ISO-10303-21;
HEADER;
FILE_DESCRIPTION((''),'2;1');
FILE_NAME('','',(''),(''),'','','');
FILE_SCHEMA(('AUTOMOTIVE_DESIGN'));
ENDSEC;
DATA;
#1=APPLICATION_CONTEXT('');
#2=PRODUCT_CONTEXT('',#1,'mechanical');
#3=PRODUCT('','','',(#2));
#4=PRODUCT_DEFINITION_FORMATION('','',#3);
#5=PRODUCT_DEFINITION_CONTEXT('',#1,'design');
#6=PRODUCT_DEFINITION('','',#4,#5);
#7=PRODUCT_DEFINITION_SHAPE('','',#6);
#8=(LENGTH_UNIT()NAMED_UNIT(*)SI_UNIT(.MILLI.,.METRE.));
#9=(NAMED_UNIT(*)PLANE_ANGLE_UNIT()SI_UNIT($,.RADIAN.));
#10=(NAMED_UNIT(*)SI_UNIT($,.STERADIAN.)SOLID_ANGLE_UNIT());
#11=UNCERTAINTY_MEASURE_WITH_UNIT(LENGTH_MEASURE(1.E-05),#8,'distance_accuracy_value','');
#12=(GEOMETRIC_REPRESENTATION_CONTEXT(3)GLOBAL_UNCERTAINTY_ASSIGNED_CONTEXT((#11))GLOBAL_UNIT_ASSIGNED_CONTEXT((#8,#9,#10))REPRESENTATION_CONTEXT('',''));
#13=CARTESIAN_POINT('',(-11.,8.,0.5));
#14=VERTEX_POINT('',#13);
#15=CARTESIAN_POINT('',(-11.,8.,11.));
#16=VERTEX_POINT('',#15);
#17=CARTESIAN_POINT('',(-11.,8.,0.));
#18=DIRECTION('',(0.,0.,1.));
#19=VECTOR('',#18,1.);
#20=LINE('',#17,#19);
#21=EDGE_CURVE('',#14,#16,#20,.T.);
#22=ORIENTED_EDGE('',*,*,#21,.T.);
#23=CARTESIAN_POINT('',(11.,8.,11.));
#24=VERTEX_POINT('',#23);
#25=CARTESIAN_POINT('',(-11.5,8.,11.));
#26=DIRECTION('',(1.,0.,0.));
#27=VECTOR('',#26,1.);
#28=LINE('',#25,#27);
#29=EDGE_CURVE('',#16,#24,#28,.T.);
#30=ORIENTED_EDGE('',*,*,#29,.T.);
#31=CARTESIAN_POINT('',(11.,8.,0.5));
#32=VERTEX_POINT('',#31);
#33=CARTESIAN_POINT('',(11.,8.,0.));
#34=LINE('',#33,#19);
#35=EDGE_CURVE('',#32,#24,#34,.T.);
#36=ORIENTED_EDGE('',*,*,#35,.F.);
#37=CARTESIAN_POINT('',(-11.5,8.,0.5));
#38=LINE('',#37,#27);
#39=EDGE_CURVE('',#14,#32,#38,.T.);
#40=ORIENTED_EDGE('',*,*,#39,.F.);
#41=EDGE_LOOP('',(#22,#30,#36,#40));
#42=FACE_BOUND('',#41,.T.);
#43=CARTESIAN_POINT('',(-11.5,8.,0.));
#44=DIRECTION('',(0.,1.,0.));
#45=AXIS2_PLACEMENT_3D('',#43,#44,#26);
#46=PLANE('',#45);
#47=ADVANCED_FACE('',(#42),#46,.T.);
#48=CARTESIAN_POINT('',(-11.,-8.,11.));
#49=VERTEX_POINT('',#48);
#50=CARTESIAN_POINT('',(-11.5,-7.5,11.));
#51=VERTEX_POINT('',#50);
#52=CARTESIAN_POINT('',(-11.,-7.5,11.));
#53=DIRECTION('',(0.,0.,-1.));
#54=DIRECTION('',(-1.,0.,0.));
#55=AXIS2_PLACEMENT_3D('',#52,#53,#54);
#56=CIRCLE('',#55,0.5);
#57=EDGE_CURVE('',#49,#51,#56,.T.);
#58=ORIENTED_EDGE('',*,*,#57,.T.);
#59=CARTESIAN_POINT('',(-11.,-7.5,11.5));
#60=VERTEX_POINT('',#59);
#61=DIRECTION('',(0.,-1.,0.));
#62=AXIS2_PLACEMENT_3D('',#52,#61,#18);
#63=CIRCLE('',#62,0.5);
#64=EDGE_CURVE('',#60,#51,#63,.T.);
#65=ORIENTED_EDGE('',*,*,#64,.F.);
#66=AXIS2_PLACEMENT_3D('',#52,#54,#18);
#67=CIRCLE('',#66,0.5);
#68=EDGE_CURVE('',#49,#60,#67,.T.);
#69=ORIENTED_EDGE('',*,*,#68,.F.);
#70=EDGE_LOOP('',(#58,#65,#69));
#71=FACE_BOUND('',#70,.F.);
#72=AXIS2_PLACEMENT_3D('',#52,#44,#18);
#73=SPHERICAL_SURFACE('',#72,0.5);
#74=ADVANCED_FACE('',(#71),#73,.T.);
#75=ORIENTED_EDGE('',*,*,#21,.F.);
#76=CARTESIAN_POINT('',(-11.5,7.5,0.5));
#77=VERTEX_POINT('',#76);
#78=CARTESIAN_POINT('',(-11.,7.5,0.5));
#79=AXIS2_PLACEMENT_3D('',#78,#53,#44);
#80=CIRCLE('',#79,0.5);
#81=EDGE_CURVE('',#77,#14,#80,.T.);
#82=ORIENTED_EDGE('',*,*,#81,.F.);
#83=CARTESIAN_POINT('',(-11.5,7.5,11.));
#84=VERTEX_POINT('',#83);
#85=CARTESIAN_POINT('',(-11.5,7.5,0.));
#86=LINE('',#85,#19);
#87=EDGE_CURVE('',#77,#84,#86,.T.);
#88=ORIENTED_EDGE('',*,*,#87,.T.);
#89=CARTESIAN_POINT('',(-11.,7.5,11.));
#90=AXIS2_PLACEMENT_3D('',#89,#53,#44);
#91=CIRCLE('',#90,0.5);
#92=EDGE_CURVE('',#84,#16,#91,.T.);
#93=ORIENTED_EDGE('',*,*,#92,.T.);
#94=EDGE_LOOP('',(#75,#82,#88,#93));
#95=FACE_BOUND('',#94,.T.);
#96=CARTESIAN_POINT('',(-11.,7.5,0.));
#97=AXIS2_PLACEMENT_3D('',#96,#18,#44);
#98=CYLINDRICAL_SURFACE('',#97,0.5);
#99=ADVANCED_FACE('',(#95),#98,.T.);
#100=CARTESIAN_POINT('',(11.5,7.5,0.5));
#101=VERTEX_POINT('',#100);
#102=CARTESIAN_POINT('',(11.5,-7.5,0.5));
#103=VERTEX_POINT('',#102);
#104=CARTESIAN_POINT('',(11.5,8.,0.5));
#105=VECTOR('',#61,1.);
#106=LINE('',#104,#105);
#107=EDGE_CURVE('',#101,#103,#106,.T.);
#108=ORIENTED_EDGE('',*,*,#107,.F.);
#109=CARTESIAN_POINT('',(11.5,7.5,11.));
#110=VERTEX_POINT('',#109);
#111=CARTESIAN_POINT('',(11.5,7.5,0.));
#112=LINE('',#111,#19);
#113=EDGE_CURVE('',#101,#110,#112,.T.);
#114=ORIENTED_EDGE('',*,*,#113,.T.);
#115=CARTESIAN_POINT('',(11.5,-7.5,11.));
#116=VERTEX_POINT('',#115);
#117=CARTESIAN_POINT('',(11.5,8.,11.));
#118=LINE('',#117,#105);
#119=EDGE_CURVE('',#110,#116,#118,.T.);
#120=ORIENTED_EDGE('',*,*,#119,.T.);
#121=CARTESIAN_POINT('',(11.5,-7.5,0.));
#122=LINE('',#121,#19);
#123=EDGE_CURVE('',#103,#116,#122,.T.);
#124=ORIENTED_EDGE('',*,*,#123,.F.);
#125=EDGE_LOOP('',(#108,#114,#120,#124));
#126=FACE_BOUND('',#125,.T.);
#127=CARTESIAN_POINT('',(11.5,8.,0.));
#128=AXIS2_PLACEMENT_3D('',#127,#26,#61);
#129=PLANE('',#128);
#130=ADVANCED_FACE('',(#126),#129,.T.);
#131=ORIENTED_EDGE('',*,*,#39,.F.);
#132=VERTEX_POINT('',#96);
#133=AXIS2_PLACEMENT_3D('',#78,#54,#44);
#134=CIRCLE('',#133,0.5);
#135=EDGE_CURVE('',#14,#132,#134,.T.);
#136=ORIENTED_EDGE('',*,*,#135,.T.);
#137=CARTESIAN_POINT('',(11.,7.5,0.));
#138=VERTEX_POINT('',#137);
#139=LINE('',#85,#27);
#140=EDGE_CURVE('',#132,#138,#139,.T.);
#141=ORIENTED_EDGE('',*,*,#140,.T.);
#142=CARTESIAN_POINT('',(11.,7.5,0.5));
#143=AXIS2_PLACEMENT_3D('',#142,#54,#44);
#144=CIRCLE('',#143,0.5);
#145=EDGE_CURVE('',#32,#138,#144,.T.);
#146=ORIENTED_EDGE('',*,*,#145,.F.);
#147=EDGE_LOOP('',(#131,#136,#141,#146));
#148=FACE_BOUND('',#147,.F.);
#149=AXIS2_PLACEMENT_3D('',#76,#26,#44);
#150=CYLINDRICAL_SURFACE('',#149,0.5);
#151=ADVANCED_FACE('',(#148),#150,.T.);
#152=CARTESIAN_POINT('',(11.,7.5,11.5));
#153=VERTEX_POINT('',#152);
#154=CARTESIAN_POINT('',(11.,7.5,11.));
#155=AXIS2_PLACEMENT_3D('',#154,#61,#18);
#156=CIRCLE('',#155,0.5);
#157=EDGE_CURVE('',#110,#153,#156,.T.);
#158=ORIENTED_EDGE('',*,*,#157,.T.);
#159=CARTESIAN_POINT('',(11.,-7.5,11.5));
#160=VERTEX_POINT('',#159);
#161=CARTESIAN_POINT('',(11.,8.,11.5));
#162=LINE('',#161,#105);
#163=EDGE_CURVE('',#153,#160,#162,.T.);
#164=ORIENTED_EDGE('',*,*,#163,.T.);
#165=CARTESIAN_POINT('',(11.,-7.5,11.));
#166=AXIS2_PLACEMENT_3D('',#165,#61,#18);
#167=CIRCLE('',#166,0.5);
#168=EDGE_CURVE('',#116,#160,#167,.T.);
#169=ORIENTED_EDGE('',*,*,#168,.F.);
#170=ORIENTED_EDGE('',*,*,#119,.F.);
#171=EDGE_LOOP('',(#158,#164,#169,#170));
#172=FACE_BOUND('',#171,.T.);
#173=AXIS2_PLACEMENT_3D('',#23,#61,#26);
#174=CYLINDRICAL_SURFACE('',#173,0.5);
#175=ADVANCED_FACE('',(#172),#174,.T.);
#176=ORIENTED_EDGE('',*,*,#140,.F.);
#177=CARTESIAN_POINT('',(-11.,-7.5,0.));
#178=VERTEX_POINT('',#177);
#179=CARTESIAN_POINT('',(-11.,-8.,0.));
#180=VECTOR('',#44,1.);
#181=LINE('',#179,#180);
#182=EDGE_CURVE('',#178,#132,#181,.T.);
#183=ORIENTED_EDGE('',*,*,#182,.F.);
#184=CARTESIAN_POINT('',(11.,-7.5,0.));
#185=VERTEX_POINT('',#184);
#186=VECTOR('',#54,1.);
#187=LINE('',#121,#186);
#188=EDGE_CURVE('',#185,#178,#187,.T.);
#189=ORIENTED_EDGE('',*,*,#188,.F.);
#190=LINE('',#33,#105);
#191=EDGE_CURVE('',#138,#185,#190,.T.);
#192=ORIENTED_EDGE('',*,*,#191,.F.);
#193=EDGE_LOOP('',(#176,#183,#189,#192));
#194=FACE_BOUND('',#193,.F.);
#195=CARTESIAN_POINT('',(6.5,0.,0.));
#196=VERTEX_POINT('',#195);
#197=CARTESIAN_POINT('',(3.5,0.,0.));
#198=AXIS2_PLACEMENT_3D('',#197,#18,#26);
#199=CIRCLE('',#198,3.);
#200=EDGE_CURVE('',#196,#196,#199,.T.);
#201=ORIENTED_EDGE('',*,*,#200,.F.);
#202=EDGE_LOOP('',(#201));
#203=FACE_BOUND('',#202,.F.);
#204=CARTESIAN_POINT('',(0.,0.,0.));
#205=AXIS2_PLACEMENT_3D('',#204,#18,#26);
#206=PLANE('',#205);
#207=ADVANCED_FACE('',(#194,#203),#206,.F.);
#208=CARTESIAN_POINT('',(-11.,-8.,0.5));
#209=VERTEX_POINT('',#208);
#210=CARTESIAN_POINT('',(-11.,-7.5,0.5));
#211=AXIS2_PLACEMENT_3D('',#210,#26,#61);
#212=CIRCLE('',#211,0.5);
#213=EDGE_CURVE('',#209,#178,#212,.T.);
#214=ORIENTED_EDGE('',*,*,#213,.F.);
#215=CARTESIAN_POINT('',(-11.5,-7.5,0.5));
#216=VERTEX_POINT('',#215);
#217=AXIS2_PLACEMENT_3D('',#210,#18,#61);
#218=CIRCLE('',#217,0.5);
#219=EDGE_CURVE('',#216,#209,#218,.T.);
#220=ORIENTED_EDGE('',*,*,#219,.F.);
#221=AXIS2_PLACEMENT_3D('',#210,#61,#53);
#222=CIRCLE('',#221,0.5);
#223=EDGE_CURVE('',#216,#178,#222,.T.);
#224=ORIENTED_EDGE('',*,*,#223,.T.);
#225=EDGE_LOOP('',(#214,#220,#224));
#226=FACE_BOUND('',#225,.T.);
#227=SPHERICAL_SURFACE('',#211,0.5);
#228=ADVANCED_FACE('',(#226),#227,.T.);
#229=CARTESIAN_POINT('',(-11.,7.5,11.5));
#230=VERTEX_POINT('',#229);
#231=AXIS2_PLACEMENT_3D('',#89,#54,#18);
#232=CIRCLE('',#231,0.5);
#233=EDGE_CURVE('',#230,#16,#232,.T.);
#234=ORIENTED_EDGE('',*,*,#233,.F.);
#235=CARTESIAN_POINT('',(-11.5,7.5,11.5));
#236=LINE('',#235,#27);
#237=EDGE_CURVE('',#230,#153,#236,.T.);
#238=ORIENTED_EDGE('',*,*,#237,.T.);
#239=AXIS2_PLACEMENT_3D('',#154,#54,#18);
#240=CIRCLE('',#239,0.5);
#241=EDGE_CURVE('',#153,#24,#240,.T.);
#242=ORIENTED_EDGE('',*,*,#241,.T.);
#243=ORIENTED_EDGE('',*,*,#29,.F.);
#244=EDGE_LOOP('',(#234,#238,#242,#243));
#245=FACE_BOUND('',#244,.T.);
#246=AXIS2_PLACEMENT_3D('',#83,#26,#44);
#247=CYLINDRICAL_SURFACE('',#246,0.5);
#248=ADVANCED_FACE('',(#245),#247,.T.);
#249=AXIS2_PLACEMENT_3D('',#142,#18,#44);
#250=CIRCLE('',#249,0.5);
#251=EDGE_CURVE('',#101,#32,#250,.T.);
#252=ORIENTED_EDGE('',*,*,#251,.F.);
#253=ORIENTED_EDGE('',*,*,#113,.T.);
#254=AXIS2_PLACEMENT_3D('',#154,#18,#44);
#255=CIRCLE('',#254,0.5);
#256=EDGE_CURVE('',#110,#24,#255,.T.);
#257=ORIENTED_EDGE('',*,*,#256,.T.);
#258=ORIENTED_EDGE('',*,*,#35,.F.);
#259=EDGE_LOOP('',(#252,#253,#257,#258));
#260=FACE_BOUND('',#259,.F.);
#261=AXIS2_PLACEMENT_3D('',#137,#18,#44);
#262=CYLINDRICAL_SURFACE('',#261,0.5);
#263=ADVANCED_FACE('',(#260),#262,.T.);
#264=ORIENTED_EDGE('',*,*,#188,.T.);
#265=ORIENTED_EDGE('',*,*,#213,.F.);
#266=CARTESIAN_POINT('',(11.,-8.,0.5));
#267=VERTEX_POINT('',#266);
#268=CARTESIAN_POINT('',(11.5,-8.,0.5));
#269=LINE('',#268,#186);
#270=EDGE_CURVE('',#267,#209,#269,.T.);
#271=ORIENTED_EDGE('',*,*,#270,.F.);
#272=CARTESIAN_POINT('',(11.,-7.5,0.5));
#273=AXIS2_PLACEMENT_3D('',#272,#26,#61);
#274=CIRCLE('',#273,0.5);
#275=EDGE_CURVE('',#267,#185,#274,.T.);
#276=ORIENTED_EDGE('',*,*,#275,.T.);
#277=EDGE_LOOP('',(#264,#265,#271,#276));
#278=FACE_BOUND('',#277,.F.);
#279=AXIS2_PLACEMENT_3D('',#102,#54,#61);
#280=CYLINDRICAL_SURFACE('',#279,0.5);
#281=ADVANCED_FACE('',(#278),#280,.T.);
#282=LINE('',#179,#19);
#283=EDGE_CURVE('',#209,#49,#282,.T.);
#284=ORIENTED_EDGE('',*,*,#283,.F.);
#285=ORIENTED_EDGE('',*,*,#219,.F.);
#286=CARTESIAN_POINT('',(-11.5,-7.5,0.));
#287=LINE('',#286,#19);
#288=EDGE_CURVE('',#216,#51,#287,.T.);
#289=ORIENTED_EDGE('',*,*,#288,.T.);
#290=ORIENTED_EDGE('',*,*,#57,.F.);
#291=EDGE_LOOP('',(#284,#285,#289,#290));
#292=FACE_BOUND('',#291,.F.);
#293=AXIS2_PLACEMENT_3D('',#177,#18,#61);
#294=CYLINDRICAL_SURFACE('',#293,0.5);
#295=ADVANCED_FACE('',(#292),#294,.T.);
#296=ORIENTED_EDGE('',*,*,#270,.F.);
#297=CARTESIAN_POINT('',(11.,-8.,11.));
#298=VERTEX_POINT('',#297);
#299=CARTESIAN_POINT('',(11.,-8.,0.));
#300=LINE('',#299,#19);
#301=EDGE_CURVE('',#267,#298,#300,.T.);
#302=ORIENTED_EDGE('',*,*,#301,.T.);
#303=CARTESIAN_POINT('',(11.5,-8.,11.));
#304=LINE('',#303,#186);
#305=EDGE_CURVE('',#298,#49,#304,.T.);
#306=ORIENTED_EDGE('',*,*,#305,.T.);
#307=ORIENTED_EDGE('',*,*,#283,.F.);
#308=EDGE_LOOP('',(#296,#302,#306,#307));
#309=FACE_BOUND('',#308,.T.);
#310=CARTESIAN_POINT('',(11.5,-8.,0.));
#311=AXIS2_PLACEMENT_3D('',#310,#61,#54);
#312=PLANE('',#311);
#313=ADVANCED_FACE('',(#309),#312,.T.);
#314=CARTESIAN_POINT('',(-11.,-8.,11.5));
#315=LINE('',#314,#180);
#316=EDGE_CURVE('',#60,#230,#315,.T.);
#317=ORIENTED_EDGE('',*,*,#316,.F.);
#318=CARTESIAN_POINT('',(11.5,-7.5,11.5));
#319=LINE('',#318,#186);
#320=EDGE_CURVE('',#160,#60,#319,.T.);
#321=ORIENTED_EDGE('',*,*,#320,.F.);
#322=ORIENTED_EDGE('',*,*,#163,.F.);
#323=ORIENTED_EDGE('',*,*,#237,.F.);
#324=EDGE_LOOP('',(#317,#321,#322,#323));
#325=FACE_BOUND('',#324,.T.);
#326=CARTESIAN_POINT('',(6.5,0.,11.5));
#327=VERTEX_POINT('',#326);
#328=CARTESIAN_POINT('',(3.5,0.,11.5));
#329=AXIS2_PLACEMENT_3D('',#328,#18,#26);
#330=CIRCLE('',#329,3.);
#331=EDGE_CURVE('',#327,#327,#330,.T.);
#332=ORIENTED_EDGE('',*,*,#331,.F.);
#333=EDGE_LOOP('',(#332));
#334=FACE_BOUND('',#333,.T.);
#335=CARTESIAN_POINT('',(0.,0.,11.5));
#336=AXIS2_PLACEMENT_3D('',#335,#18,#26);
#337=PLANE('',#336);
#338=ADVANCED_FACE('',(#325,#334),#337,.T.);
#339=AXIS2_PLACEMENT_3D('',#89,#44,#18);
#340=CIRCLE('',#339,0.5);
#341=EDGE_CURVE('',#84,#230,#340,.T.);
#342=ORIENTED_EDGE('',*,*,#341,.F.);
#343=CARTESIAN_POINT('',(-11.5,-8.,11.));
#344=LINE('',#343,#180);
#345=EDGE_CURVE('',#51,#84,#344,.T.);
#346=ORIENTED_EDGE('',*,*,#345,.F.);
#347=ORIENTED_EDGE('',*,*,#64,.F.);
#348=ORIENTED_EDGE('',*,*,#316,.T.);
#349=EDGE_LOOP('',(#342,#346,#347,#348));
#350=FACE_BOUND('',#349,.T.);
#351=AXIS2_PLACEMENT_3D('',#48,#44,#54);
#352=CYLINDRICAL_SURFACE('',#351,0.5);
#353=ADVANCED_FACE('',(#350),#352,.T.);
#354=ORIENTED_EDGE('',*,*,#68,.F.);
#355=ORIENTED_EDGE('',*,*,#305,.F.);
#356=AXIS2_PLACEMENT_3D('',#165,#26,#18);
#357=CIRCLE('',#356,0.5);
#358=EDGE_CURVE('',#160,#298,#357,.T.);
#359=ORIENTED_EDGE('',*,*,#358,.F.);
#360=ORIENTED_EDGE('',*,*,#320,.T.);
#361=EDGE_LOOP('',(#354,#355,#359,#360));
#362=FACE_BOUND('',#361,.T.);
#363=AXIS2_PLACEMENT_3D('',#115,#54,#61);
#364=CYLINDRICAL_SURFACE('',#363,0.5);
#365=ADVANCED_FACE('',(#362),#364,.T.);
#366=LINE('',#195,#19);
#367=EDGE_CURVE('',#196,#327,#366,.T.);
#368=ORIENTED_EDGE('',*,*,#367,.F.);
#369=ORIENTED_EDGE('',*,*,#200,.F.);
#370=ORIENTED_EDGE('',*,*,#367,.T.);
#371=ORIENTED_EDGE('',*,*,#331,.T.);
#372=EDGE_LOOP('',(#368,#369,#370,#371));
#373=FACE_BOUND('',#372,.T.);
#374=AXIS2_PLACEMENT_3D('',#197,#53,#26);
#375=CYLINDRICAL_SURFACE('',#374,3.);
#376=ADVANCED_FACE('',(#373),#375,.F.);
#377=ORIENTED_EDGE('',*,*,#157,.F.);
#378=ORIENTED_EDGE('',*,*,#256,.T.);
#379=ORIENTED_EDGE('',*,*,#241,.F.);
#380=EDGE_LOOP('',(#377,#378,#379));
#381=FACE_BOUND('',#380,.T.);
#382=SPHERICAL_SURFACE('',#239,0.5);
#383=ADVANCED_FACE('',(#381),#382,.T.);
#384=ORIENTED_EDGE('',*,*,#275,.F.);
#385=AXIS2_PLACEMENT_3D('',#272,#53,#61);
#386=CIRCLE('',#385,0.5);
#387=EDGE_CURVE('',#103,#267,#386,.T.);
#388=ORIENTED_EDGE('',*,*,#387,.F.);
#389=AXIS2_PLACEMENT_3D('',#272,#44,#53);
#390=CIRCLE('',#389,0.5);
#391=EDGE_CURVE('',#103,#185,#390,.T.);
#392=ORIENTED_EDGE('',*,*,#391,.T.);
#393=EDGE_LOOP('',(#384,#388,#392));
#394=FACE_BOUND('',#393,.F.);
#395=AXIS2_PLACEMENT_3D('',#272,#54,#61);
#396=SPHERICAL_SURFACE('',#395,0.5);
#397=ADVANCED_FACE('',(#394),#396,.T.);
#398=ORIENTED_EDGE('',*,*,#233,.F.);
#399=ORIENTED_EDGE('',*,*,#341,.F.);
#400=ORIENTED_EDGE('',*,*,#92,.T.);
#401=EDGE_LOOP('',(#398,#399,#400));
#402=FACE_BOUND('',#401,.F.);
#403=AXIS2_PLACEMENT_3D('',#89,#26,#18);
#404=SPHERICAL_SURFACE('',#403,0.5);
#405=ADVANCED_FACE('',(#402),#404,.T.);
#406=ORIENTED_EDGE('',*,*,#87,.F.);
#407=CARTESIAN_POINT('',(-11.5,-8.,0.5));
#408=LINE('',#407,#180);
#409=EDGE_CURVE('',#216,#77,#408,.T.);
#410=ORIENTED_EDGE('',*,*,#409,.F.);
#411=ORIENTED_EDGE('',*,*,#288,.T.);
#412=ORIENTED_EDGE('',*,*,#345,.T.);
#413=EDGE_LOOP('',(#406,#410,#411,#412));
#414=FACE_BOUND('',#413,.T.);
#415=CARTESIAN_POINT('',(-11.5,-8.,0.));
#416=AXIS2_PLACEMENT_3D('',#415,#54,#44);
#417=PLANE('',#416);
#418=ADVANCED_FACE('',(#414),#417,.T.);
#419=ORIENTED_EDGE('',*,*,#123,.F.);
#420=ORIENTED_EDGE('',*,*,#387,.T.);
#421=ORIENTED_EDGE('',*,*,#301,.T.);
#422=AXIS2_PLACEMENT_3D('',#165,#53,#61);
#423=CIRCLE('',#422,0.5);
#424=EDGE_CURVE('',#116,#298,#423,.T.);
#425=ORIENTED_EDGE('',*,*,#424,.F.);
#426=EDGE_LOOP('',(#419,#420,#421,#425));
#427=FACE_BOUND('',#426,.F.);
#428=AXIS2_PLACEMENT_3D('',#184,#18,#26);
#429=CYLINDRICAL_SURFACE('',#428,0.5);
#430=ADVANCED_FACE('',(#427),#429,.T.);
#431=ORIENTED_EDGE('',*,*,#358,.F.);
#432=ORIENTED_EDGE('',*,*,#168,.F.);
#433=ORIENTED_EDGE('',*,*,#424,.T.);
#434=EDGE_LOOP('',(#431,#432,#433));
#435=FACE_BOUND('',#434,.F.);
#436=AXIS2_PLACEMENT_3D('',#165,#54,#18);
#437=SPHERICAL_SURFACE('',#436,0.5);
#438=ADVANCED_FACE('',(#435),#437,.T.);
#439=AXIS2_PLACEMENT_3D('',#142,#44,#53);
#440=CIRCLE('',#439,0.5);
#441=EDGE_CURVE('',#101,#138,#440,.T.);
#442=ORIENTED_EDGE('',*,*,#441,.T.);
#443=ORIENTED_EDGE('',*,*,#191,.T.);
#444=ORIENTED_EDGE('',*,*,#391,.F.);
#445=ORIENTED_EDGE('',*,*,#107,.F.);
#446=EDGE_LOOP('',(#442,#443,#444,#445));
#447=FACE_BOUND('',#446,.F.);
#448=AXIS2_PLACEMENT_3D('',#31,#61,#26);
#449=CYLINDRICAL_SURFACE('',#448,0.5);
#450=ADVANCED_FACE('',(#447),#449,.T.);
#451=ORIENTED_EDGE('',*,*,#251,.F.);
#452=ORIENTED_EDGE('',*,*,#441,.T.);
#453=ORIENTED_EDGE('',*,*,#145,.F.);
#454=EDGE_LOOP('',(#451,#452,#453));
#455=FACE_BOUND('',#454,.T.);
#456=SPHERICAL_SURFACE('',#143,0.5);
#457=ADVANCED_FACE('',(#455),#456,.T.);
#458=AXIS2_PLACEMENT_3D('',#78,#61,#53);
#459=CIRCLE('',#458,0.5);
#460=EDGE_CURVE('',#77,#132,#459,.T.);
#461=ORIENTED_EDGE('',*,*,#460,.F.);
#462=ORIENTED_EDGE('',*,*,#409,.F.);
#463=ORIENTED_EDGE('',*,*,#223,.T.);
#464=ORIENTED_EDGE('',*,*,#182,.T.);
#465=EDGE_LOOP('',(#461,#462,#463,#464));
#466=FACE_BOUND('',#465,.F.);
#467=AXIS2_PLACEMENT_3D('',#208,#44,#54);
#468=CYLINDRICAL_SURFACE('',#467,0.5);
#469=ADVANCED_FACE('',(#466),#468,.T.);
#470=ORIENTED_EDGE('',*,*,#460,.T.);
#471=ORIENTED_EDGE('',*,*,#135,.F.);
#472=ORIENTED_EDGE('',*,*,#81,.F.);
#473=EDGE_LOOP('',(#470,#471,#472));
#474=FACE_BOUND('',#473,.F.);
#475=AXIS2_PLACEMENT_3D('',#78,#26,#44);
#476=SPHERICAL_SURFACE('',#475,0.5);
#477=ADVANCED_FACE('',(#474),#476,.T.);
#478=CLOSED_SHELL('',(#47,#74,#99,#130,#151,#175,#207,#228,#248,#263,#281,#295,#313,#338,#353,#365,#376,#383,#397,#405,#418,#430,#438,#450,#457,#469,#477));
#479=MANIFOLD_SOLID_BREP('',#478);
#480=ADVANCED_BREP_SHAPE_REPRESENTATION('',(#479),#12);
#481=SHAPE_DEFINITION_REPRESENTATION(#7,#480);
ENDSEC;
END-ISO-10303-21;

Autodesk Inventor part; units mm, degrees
ref_plane "YZ Plane" through (0, 0, 0) normal (1, 0, 0) x (0, 1, 0)
ref_plane "XZ Plane" through (0, 0, 0) normal (0, 1, 0) x (-1, 0, 0)
ref_plane "XY Plane" through (0, 0, 0) normal (0, 0, 1) x (1, 0, 0)
sketch "Sketch1" plane through (0, 0, 0) normal (0, 0, 1) x (1, 0, 0)
  line L0 (-11.5, 8) -> (11.5, 8)
  line L1 (11.5, 8) -> (11.5, -8)
  line L2 (11.5, -8) -> (-11.5, -8)
  line L3 (-11.5, -8) -> (-11.5, 8)
  circle A0 centre (3.5, 0) radius 3
  point P0 (0, 0)
  point P1 (0, 8)
  point P2 (-11.5, 0)
  dimension "d0" = 23
  dimension "d2" = 16
  dimension "d3" = 6
  dimension "d4" = 8
extrude "Extrusion1" add sketch "Sketch1" along normal blind 11.5
fillet "Fillet1" radius 0.5 12 edges at (0, 8, 11.5) (-11.5, 0, 11.5) (0, -8, 11.5) (11.5, 0, 11.5) (0, 8, 0) (-11.5, 8, 5.75) (11.5, 8, 5.75) (0, -8, 0) (11.5, -8, 5.75) (-11.5, -8, 5.75) (11.5, 0, 0) (-11.5, 0, 0)
properties part number "heat block"
